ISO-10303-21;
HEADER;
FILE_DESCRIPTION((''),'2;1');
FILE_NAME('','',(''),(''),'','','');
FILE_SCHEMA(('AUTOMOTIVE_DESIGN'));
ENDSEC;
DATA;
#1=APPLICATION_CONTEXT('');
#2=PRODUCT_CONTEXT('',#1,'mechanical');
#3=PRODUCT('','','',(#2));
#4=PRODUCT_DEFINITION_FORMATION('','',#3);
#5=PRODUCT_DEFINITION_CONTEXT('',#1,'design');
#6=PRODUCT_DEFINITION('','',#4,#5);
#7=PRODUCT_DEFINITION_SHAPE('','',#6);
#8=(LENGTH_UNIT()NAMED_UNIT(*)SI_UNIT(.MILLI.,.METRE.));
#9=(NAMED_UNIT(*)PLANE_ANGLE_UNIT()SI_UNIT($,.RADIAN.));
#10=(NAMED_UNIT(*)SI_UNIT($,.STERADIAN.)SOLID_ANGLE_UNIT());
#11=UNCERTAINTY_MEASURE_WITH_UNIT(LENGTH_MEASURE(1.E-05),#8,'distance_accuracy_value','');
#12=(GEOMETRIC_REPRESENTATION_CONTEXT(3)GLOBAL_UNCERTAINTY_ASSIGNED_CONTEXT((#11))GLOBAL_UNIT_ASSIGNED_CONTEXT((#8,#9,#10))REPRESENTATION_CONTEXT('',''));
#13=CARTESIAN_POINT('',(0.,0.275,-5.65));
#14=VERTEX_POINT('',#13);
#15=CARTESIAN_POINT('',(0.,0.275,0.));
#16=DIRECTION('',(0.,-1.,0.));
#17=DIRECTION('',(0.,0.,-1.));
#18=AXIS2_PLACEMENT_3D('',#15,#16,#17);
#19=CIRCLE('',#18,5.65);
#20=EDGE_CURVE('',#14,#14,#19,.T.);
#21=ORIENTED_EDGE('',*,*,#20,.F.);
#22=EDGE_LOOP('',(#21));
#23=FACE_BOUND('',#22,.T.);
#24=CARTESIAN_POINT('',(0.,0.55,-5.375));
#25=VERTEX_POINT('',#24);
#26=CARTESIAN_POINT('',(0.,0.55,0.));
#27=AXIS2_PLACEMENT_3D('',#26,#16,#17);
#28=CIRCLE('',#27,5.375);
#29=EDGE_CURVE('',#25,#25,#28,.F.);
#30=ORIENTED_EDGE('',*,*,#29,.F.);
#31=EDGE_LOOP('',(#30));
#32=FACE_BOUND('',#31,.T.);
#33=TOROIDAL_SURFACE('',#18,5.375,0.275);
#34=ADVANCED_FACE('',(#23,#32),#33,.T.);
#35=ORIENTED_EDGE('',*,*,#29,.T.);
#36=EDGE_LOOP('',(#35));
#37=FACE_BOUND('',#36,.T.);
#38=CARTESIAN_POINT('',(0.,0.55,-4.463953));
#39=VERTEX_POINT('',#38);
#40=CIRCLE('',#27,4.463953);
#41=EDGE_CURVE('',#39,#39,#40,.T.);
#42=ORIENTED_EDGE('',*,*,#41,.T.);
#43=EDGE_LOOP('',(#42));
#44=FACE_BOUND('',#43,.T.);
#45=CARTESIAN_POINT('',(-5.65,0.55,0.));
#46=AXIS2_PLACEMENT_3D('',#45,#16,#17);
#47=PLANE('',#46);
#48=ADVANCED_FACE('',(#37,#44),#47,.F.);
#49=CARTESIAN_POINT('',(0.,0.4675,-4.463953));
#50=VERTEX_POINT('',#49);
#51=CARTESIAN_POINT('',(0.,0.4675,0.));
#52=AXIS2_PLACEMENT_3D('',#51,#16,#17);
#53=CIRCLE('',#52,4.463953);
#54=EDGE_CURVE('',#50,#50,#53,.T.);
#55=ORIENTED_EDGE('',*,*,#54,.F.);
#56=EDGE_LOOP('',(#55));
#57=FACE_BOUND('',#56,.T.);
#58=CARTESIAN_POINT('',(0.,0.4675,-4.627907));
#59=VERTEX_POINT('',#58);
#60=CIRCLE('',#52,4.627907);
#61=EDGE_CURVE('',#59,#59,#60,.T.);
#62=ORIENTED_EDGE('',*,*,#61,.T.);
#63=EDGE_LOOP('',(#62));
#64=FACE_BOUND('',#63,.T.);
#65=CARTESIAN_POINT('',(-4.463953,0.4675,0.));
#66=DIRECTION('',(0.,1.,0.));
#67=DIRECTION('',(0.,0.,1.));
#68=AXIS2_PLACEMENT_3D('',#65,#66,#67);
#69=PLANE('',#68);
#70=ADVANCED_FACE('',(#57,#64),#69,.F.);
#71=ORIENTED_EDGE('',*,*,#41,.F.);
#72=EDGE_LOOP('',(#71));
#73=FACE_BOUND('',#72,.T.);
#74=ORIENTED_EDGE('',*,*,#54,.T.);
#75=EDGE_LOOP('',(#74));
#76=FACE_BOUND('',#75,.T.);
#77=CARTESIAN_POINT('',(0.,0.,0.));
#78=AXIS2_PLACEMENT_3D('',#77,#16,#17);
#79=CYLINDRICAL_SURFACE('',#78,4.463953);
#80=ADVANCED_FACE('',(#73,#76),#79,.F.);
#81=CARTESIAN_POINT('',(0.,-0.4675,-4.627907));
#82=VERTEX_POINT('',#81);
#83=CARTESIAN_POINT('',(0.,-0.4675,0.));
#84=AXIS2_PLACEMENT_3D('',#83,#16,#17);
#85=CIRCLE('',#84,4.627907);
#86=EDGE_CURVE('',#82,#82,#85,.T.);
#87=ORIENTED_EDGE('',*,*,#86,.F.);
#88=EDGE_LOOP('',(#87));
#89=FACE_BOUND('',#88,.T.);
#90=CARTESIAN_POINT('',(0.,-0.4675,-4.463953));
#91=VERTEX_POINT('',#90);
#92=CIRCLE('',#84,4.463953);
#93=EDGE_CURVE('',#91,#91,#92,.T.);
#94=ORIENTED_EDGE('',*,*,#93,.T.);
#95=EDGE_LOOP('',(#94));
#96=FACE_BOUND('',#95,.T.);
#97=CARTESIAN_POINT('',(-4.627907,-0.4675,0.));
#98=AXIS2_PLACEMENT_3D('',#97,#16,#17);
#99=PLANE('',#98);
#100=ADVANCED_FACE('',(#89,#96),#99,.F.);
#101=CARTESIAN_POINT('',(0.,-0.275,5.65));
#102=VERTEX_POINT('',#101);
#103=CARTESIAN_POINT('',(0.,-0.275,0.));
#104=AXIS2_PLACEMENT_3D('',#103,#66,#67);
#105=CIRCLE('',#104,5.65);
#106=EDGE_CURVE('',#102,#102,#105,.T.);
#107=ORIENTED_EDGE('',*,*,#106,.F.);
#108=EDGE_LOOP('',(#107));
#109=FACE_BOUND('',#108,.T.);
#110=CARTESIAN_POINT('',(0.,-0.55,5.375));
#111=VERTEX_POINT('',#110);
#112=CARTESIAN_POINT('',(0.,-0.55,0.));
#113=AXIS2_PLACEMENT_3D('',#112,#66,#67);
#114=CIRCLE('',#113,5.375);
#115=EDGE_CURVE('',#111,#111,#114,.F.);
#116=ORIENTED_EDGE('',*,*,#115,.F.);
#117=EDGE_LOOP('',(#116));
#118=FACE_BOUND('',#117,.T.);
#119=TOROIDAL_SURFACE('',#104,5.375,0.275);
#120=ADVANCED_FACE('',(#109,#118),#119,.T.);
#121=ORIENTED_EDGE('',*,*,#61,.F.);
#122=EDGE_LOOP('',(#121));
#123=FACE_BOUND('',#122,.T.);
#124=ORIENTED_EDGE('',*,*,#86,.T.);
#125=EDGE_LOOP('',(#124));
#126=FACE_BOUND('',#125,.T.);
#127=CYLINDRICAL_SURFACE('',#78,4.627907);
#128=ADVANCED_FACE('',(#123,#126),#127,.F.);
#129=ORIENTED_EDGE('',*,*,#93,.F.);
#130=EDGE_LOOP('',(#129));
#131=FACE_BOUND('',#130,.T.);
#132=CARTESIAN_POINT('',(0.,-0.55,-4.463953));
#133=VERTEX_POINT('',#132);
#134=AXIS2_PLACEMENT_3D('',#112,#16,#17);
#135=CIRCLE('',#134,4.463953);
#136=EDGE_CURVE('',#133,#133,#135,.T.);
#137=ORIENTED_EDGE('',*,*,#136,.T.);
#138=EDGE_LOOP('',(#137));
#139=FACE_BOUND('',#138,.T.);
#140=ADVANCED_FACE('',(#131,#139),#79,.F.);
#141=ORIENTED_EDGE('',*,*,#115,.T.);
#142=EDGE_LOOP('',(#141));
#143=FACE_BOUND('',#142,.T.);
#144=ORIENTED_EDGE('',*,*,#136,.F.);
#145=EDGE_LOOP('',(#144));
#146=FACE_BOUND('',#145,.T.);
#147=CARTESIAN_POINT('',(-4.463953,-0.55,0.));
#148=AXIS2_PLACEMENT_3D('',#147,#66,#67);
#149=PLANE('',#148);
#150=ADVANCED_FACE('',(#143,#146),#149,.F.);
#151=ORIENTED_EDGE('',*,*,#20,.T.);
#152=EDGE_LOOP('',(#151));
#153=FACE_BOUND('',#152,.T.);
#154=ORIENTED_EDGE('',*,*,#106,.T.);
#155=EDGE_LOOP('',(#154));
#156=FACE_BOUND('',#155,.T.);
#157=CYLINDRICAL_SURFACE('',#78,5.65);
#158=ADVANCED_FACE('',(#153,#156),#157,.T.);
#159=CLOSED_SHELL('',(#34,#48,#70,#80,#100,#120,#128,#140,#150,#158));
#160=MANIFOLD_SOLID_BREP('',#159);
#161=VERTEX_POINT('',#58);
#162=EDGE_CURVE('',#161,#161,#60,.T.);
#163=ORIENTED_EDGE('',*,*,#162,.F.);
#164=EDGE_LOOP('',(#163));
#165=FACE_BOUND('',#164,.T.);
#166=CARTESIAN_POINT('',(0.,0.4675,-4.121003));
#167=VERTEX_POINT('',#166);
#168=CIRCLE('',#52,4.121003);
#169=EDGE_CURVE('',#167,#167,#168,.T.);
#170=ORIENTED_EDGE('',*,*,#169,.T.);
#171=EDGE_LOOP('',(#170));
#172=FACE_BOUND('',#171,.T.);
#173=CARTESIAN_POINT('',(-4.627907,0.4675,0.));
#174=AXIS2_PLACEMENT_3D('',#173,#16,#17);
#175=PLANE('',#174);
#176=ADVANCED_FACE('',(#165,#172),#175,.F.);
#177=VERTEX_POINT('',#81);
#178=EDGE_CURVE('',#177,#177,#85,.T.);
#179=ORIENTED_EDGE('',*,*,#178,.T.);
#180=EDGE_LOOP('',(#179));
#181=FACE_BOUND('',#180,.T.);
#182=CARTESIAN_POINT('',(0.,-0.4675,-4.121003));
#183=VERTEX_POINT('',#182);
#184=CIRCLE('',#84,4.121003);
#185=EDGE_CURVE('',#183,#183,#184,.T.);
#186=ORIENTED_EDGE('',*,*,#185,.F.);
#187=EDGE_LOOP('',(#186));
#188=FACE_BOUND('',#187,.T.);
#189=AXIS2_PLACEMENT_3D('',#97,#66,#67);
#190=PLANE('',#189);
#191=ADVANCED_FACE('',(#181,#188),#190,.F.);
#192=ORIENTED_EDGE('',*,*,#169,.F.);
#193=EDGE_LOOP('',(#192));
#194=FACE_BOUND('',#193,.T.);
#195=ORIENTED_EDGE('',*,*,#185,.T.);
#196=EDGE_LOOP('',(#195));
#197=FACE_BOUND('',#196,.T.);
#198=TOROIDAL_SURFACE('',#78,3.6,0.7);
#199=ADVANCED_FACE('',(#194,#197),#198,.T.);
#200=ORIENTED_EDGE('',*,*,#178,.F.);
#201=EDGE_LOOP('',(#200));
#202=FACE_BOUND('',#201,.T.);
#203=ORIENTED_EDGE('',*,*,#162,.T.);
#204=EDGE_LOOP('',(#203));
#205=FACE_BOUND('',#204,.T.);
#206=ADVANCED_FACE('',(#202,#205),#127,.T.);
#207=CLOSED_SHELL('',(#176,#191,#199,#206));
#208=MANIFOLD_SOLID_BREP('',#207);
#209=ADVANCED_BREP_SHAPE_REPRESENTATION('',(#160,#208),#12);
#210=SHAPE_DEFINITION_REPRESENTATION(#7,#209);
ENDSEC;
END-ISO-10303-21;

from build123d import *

# Parameters (mm, degrees)
FILLET1_R = 0.275


with BuildPart() as part:
    # Sketch2 → Revolve1 (revolve)
    with BuildSketch(Plane.XY, mode=Mode.PRIVATE) as revolve1_sk:
        Polygon((-5.65, 0.55), (-4.463953488, 0.55), (-4.463953488, 0.4675), (-4.627906977, 0.4675), (-4.627906977, -0.4675), (-4.463953488, -0.4675), (-4.463953488, -0.55), (-5.65, -0.55), align=None)
    revolve(revolve1_sk.sketch.rotate(Axis((0, 0, 0), (0, 1, 0)), 270), axis=Axis((0, 0, 0), (0, 1, 0)))

    # Fillet1
    fillet1_edges = [part.edges().sort_by_distance(p)[0] for p in [
        (0, 0.55, 5.65),
        (0, -0.55, 5.65),
    ]]
    fillet(fillet1_edges, radius=FILLET1_R)


with BuildPart() as body_2:
    # Sketch4 → Revolve2 (revolve)
    with BuildSketch(Plane.XY, mode=Mode.PRIVATE) as revolve2_sk:
        with BuildLine():
            Line((-4.627906977, 0.4675), (-4.627906977, -0.4675))
            Line((-4.627906977, -0.4675), (-4.121002639, -0.4675))
            ThreePointArc((-4.121002639, -0.4675), (-2.9, 0), (-4.121002639, 0.4675))
            Line((-4.121002639, 0.4675), (-4.627906977, 0.4675))
        make_face()
    revolve(revolve2_sk.sketch.rotate(Axis((0, 0, 0), (0, 1, 0)), 270), axis=Axis((0, 0, 0), (0, 1, 0)))


solid = Compound([part.part, body_2.part])
